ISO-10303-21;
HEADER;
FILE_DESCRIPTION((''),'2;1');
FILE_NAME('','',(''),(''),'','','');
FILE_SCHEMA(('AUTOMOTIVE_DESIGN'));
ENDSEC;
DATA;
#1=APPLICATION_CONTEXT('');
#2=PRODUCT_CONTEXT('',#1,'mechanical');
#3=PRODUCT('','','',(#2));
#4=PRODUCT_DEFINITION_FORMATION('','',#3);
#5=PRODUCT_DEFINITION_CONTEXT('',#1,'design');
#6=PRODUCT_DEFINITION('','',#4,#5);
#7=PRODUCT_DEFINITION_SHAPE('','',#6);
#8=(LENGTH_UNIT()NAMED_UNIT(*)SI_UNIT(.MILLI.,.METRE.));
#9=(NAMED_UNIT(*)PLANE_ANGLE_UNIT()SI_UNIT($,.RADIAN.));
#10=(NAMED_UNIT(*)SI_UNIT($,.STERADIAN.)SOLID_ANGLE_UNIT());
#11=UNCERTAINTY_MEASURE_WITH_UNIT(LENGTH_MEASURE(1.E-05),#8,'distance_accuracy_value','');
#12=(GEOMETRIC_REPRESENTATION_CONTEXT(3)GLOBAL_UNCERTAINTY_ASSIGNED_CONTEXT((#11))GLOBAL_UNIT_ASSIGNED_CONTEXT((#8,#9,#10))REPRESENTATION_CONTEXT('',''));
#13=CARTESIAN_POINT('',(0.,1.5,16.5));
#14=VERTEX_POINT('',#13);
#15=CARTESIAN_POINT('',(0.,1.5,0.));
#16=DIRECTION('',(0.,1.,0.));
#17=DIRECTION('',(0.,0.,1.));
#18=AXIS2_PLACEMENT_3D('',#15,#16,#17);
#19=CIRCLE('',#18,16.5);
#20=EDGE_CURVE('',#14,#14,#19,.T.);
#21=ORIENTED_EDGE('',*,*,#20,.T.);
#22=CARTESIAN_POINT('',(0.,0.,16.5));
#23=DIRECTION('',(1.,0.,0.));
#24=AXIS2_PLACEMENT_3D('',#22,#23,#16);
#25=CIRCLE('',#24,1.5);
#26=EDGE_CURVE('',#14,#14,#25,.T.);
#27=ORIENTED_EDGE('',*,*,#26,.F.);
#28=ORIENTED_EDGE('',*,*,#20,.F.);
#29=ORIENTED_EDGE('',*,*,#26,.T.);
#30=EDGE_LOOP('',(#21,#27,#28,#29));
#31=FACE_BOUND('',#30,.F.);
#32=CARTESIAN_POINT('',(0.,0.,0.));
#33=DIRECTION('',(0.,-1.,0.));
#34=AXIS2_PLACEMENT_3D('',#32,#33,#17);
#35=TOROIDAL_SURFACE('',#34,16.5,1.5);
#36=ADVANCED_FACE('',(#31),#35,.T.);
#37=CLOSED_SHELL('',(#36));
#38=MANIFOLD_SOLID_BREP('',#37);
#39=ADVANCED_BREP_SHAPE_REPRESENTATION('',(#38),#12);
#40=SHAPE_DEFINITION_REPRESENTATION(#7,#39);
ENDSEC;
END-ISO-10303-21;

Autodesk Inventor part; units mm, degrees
ref_plane "YZ Plane" through (0, 0, 0) normal (1, 0, 0) x (0, 1, 0)
ref_plane "XZ Plane" through (0, 0, 0) normal (0, 1, 0) x (-1, 0, 0)
ref_plane "XY Plane" through (0, 0, 0) normal (0, 0, 1) x (1, 0, 0)
sketch "Sketch2" plane through (0, 0, 0) normal (1, 0, 0) x (0, 1, 0)
  circle A0 centre (0, 16.5) radius 1.5
  line L0 (-2.1, 0) -> (2.1, 0) projected
  point P0 (0, 0)
  dimension "d1" = 16.5
  dimension "d2" = 0
  dimension "d3" = 3
revolve "Revolution1" add sketch "Sketch2" angle 360 about axis through (0, -10, 0) along (0, 1, 0)
equation "\"d1\" = 0.5 * d0"
equation "\"d0\" = 33"
properties part number "JointTorique" material "Rubber, Silicone"
